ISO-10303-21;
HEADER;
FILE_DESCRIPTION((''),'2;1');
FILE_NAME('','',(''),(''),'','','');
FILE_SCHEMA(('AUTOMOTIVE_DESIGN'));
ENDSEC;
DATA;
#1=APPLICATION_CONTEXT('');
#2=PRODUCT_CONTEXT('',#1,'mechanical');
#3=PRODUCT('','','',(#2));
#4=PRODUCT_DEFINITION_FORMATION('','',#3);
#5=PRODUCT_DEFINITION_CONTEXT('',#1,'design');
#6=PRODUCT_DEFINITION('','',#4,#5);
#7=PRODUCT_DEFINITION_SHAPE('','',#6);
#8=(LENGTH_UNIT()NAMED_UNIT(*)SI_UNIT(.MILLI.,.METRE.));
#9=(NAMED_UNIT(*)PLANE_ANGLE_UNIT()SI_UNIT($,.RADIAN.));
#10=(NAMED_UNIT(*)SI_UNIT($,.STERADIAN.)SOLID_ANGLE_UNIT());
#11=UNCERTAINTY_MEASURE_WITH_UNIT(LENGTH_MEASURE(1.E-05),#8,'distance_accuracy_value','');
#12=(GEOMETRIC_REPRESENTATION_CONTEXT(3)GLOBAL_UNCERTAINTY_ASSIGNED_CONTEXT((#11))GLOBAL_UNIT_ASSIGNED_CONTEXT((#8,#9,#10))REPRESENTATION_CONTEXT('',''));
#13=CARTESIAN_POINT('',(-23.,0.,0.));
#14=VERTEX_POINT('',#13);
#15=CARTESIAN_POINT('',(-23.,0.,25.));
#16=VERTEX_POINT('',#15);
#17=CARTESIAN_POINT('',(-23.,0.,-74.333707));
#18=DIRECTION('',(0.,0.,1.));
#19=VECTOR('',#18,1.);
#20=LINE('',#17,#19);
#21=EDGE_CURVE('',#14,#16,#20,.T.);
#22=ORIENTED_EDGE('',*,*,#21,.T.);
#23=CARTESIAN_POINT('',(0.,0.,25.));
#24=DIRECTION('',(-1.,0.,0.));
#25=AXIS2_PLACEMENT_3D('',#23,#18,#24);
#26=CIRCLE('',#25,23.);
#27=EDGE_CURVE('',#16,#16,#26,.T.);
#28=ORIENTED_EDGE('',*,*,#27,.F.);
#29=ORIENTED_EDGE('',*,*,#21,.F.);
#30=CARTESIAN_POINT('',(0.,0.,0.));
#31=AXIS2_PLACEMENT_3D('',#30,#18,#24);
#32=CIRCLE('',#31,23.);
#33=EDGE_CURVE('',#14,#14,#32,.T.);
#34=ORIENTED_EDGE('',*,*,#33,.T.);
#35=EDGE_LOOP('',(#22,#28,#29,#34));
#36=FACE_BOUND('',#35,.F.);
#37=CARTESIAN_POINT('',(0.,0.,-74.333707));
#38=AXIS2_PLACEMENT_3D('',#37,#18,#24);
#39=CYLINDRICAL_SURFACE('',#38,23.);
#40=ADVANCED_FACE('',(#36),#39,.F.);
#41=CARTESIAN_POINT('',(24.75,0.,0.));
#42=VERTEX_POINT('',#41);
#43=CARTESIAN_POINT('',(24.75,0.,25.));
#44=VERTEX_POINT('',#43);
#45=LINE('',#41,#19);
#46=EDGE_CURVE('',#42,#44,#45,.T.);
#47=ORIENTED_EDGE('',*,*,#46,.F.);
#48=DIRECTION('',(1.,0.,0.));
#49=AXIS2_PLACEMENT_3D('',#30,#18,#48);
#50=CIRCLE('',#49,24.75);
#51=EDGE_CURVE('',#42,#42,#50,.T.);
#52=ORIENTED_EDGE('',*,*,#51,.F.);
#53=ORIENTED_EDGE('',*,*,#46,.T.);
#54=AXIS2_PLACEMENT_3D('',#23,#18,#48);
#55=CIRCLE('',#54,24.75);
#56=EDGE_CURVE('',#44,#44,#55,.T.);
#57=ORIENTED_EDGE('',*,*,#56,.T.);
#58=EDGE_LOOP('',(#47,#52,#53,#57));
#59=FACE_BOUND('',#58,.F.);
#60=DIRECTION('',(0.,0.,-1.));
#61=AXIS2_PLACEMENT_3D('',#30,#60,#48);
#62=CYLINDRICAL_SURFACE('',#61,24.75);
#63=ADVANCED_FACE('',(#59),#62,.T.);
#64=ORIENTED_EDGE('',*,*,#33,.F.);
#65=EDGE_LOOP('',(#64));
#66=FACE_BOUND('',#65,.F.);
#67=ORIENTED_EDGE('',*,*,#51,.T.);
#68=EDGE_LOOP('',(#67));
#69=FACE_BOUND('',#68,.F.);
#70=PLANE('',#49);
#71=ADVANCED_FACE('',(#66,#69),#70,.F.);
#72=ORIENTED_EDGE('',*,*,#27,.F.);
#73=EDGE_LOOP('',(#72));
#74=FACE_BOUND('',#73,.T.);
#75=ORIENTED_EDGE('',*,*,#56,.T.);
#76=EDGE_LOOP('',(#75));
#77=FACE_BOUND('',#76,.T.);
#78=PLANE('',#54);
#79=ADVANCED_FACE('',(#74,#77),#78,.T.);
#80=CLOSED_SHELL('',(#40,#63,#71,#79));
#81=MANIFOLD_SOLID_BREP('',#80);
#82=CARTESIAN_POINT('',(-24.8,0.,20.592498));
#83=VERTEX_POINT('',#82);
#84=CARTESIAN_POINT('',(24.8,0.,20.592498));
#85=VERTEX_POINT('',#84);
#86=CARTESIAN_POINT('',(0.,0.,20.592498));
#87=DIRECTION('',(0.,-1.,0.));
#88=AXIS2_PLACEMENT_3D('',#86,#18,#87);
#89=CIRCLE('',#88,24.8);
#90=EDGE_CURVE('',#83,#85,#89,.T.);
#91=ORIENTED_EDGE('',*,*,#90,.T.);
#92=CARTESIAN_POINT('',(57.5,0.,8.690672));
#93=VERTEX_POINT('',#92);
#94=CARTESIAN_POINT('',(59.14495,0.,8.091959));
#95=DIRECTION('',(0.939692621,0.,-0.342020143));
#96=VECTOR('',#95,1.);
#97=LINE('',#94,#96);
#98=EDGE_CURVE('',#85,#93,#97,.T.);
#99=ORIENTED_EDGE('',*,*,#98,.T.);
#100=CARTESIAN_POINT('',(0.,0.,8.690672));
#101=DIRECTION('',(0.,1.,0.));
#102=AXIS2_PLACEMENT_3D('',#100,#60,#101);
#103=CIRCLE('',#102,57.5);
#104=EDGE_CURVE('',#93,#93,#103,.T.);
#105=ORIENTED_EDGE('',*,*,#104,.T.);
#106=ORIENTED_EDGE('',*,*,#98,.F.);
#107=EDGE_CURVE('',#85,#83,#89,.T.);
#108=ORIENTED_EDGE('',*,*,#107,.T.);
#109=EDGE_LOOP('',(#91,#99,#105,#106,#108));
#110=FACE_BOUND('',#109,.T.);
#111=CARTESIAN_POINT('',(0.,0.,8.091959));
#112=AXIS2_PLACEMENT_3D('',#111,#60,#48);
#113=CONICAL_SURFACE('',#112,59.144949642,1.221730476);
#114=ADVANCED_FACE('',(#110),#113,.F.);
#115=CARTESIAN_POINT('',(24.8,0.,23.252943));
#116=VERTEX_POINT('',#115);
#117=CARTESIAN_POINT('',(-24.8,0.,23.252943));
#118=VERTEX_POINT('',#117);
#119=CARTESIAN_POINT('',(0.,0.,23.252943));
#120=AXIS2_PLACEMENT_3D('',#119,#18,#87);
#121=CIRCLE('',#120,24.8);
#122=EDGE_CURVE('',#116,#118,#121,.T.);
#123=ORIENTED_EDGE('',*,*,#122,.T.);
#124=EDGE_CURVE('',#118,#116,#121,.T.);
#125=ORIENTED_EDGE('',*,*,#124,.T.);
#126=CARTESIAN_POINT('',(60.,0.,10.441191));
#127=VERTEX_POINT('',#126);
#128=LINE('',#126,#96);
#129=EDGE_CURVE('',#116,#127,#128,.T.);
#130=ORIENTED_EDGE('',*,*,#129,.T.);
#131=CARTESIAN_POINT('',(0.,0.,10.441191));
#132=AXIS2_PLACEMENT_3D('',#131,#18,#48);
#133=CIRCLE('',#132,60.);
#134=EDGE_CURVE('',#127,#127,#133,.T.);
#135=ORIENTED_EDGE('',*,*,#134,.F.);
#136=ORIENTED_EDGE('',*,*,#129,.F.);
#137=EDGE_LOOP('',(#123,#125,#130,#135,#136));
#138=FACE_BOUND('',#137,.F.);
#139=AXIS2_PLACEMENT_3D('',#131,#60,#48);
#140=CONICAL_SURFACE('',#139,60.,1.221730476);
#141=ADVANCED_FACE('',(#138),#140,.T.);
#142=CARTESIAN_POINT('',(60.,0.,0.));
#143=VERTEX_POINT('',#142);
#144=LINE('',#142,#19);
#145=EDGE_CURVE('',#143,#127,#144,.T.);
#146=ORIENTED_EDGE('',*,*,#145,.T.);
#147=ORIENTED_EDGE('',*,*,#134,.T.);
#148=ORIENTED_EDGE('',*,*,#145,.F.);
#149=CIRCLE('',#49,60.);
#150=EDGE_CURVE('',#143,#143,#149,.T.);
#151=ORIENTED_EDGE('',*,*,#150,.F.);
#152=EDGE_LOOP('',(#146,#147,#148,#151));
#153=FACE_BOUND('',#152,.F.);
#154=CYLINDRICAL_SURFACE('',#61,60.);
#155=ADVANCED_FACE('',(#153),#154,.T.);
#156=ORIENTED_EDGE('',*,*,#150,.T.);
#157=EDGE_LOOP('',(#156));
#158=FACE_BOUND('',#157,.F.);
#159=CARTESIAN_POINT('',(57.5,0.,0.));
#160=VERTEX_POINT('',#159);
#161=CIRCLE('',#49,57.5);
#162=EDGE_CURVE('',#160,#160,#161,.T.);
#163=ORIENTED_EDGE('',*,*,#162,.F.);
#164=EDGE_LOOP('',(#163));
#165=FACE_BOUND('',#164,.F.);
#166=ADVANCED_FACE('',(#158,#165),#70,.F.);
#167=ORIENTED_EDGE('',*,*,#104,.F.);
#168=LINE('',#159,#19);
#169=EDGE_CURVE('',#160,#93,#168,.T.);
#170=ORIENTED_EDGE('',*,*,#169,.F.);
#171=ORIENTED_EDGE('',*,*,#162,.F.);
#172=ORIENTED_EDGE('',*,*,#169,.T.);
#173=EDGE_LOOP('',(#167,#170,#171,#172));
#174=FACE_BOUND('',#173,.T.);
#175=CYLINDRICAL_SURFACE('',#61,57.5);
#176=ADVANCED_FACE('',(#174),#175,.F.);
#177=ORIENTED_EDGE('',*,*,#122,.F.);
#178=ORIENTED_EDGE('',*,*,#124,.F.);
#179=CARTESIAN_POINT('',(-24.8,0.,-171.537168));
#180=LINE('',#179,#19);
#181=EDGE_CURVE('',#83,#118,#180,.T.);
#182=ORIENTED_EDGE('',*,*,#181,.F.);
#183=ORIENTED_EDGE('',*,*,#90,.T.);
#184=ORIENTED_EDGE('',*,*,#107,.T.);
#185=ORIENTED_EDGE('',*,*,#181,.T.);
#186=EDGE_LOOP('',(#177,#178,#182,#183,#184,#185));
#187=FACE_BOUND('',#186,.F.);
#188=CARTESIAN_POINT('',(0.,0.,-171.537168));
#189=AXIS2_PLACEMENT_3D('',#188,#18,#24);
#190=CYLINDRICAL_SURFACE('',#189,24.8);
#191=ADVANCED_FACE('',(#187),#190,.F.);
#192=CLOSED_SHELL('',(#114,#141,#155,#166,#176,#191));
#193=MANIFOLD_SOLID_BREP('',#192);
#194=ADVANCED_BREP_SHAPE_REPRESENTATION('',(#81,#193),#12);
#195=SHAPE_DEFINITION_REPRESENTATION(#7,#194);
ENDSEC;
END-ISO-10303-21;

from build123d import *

# Parameters (mm, degrees)
F0_R     = 60
F1_DEPTH = 25
F2_SIZE2 = 14.5588093706
F2_SIZE  = 40
F3_T     = -2.5
F4_D     = 49.6
F5_R     = 24.75
F6_DEPTH = 25
F7_D     = 46


with BuildPart() as f1:
    # F0 (on Top) → F1 (new body)
    with BuildSketch(Plane.XY):
        Circle(F0_R)
    extrude(amount=F1_DEPTH)

    # F2
    f2_edges = [f1.edges().sort_by_distance(p)[0] for p in [
        (-60, 0, 25),
    ]]
    f2_side = f1.faces().sort_by_distance((0, 0, 25))[0]
    chamfer(f2_edges, length=F2_SIZE, length2=F2_SIZE2, reference=f2_side)

    # F3
    f3_openings = [f1.faces().sort_by_distance(p)[0] for p in [
        (0, 0, 0),
    ]]
    offset(amount=F3_T, openings=f3_openings)

    # F4 (through all)
    with Locations(Plane(origin=(0, 0, 0), x_dir=(1, 0, 0), z_dir=(0, 0, -1))):
        with Locations((0, 0)):
            Hole(F4_D / 2)


with BuildPart() as f6:
    # F5 (on Top) → F6 (new body)
    with BuildSketch(Plane.XY):
        Circle(F5_R)
    extrude(amount=F6_DEPTH)

    # F7 (through all)
    with Locations(Plane(origin=(0, 0, 0), x_dir=(1, 0, 0), z_dir=(0, 0, -1))):
        with Locations((0, 0)):
            Hole(F7_D / 2)


solid = Compound([f1.part, f6.part])
